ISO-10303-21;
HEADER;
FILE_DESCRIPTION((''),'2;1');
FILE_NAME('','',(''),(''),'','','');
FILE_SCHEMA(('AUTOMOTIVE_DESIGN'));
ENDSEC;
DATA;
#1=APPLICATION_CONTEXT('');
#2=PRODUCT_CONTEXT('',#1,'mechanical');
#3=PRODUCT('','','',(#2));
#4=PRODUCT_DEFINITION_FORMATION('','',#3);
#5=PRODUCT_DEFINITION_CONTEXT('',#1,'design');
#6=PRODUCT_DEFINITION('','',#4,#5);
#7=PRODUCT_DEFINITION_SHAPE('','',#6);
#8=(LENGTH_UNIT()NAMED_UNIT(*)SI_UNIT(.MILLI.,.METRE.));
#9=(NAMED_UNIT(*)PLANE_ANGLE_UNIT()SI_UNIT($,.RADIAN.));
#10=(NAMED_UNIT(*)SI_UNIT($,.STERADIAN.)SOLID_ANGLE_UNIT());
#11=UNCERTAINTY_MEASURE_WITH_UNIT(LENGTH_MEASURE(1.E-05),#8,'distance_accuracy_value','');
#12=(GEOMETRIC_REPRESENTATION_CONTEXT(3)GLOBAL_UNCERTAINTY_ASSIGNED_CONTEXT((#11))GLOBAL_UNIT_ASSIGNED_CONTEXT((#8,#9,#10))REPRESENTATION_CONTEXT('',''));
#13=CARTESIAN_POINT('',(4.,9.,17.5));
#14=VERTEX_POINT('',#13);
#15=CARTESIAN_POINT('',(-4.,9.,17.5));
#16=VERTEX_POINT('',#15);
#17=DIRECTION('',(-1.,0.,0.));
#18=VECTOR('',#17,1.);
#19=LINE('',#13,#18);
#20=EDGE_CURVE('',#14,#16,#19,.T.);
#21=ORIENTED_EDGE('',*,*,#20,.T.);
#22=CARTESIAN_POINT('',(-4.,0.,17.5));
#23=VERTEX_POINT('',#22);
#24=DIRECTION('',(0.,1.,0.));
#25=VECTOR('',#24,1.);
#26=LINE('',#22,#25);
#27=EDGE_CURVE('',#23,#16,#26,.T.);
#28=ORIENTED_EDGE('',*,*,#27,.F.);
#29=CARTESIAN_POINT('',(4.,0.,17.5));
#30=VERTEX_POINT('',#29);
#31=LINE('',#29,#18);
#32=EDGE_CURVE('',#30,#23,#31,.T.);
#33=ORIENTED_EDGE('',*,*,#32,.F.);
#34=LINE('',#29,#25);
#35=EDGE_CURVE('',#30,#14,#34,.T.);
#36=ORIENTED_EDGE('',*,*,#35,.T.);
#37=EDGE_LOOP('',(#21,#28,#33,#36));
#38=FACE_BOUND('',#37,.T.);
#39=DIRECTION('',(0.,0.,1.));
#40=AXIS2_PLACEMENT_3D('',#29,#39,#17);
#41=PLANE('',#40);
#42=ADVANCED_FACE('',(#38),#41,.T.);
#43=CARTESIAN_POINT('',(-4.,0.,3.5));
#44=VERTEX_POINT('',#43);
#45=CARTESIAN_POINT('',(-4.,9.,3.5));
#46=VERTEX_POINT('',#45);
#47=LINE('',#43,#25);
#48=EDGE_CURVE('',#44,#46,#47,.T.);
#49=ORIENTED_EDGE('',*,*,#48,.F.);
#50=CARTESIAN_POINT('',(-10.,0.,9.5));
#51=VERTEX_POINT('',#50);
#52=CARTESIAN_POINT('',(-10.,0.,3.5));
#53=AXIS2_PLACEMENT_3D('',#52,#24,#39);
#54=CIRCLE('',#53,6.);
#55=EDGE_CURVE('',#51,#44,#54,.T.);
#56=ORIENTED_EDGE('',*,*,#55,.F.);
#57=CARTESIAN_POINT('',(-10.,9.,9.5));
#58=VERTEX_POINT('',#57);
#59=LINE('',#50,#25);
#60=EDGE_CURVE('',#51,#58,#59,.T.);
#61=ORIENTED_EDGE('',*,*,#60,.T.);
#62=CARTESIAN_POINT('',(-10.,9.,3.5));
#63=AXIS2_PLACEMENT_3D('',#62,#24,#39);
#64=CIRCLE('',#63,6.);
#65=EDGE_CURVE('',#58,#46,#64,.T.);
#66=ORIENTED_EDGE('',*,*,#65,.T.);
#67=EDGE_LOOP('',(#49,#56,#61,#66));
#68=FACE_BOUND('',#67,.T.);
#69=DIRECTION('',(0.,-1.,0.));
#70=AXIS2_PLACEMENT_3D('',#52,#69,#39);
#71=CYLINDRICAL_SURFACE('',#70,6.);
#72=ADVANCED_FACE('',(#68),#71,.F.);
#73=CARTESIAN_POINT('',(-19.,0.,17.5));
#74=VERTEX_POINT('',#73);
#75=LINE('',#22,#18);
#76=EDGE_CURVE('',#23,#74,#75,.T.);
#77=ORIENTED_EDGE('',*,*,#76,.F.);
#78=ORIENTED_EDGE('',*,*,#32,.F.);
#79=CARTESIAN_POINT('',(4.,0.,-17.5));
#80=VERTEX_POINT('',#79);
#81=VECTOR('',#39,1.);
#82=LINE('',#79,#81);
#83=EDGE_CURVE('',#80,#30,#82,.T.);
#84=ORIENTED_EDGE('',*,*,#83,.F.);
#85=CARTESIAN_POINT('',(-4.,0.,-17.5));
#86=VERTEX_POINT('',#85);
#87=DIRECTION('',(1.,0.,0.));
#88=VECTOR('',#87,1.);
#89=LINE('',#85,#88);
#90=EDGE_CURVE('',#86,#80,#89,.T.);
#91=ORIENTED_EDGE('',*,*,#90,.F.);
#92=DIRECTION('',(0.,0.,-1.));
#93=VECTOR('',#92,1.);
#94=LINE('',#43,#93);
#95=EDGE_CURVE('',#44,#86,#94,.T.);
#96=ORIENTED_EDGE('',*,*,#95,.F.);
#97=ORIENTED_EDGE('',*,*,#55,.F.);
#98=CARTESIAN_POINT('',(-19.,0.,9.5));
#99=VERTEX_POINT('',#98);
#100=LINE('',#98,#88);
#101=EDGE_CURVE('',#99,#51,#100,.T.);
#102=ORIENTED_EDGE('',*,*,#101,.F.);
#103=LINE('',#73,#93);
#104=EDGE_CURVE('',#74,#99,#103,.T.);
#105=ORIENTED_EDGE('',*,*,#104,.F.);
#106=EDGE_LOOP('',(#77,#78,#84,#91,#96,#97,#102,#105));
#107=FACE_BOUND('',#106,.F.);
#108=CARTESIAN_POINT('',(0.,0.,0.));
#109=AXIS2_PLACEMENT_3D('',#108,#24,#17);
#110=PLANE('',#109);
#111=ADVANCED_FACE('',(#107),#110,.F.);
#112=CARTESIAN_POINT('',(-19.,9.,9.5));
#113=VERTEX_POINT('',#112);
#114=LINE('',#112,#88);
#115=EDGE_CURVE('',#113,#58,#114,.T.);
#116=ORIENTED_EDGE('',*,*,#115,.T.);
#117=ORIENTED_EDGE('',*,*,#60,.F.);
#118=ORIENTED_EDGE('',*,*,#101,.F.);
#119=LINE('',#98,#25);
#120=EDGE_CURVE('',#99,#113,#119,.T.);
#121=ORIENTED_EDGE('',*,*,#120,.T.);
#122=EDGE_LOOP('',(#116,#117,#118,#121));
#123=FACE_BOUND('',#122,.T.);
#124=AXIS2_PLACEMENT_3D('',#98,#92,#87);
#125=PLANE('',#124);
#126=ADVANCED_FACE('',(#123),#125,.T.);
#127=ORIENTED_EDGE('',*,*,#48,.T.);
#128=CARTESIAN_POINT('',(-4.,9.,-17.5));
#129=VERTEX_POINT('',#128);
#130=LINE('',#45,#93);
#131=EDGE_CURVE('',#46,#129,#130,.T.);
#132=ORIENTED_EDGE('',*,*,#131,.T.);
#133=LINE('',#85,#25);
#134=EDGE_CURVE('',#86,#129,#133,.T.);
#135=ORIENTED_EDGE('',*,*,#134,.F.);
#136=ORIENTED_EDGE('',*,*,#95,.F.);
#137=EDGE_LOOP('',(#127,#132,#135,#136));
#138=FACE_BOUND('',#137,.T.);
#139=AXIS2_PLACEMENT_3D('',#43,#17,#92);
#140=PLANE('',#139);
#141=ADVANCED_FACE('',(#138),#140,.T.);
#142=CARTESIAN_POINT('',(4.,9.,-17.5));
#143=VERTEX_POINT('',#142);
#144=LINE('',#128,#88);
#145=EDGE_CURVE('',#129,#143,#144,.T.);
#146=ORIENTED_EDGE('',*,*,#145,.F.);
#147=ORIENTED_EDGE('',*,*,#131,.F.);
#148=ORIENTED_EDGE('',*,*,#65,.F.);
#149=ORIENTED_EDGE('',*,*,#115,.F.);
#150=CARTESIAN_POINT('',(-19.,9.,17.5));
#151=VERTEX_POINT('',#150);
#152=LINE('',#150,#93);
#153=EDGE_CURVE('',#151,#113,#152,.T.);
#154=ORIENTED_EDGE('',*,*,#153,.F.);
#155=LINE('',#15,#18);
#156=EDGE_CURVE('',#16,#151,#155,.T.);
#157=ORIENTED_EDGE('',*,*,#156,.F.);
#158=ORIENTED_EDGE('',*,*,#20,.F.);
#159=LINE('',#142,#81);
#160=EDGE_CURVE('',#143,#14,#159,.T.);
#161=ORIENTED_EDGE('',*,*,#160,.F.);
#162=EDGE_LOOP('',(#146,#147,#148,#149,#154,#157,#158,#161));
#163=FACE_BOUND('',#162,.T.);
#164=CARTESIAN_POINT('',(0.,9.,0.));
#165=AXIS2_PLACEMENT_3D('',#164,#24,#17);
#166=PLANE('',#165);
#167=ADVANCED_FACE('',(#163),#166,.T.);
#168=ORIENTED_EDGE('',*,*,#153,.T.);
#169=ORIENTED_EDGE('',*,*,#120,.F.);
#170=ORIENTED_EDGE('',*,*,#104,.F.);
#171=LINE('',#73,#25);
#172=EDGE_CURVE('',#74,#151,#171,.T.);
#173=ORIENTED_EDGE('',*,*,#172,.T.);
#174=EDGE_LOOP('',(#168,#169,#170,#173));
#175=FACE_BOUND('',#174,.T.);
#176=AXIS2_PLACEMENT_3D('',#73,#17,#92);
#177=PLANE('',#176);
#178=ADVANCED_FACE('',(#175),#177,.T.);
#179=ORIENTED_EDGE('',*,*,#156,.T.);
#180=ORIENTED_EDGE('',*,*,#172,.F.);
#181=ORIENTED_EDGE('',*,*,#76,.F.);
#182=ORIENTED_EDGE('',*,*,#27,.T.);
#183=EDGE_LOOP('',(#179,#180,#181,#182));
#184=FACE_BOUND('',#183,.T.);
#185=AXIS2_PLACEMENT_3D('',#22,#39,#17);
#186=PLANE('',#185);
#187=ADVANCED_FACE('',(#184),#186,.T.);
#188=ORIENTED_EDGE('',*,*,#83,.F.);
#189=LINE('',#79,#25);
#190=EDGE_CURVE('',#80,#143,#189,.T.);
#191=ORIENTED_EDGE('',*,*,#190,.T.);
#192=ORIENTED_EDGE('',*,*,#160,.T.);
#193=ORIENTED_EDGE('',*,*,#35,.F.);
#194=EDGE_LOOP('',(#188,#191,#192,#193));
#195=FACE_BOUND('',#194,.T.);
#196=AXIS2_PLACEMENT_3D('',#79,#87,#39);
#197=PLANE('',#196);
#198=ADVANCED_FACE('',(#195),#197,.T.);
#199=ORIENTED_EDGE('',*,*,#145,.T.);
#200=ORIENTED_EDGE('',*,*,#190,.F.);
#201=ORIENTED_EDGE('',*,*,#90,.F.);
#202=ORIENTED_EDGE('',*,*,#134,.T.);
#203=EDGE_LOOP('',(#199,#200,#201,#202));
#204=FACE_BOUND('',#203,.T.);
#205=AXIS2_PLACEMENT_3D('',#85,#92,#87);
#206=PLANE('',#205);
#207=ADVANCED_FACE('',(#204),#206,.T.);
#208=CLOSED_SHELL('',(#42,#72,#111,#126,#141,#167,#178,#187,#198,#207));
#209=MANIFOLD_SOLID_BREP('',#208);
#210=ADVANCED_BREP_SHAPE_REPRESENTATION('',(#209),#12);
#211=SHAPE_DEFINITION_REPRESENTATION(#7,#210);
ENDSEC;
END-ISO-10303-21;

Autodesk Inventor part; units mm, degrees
ref_plane "YZ Plane" through (0, 0, 0) normal (1, 0, 0) x (0, 1, 0)
ref_plane "XZ Plane" through (0, 0, 0) normal (0, 1, 0) x (-1, 0, 0)
ref_plane "XY Plane" through (0, 0, 0) normal (0, 0, 1) x (1, 0, 0)
sketch "Эскиз1" plane through (0, 0, 0) normal (0, 1, 0) x (-1, 0, 0)
  line L0 (-4, 17.5) -> (4, 17.5)
  line L1 (4, 3.5) -> (4, -17.5)
  line L2 (4, -17.5) -> (-4, -17.5)
  line L3 (-4, -17.5) -> (-4, 17.5)
  line L4 (-4, 17.5) -> (4, -17.5) construction
  line L5 (4, 17.5) -> (-4, -17.5) construction
  line L6 (4, 17.5) -> (19, 17.5)
  line L7 (19, 17.5) -> (19, 9.5)
  line L8 (19, 9.5) -> (10, 9.5)
  arc A0 (10, 9.5) -> (4, 3.5) centre (10, 3.5) ccw
  point P0 (0, 0)
  point P1 (4, 9.5)
  dimension "d0" = 8
  dimension "d2" = 15
  dimension "d3" = 8
  dimension "d4" = 35
  dimension "d5" = 6
extrude "Выдавливание1" add sketch "Эскиз1" along normal blind 9
properties part number "angle"
